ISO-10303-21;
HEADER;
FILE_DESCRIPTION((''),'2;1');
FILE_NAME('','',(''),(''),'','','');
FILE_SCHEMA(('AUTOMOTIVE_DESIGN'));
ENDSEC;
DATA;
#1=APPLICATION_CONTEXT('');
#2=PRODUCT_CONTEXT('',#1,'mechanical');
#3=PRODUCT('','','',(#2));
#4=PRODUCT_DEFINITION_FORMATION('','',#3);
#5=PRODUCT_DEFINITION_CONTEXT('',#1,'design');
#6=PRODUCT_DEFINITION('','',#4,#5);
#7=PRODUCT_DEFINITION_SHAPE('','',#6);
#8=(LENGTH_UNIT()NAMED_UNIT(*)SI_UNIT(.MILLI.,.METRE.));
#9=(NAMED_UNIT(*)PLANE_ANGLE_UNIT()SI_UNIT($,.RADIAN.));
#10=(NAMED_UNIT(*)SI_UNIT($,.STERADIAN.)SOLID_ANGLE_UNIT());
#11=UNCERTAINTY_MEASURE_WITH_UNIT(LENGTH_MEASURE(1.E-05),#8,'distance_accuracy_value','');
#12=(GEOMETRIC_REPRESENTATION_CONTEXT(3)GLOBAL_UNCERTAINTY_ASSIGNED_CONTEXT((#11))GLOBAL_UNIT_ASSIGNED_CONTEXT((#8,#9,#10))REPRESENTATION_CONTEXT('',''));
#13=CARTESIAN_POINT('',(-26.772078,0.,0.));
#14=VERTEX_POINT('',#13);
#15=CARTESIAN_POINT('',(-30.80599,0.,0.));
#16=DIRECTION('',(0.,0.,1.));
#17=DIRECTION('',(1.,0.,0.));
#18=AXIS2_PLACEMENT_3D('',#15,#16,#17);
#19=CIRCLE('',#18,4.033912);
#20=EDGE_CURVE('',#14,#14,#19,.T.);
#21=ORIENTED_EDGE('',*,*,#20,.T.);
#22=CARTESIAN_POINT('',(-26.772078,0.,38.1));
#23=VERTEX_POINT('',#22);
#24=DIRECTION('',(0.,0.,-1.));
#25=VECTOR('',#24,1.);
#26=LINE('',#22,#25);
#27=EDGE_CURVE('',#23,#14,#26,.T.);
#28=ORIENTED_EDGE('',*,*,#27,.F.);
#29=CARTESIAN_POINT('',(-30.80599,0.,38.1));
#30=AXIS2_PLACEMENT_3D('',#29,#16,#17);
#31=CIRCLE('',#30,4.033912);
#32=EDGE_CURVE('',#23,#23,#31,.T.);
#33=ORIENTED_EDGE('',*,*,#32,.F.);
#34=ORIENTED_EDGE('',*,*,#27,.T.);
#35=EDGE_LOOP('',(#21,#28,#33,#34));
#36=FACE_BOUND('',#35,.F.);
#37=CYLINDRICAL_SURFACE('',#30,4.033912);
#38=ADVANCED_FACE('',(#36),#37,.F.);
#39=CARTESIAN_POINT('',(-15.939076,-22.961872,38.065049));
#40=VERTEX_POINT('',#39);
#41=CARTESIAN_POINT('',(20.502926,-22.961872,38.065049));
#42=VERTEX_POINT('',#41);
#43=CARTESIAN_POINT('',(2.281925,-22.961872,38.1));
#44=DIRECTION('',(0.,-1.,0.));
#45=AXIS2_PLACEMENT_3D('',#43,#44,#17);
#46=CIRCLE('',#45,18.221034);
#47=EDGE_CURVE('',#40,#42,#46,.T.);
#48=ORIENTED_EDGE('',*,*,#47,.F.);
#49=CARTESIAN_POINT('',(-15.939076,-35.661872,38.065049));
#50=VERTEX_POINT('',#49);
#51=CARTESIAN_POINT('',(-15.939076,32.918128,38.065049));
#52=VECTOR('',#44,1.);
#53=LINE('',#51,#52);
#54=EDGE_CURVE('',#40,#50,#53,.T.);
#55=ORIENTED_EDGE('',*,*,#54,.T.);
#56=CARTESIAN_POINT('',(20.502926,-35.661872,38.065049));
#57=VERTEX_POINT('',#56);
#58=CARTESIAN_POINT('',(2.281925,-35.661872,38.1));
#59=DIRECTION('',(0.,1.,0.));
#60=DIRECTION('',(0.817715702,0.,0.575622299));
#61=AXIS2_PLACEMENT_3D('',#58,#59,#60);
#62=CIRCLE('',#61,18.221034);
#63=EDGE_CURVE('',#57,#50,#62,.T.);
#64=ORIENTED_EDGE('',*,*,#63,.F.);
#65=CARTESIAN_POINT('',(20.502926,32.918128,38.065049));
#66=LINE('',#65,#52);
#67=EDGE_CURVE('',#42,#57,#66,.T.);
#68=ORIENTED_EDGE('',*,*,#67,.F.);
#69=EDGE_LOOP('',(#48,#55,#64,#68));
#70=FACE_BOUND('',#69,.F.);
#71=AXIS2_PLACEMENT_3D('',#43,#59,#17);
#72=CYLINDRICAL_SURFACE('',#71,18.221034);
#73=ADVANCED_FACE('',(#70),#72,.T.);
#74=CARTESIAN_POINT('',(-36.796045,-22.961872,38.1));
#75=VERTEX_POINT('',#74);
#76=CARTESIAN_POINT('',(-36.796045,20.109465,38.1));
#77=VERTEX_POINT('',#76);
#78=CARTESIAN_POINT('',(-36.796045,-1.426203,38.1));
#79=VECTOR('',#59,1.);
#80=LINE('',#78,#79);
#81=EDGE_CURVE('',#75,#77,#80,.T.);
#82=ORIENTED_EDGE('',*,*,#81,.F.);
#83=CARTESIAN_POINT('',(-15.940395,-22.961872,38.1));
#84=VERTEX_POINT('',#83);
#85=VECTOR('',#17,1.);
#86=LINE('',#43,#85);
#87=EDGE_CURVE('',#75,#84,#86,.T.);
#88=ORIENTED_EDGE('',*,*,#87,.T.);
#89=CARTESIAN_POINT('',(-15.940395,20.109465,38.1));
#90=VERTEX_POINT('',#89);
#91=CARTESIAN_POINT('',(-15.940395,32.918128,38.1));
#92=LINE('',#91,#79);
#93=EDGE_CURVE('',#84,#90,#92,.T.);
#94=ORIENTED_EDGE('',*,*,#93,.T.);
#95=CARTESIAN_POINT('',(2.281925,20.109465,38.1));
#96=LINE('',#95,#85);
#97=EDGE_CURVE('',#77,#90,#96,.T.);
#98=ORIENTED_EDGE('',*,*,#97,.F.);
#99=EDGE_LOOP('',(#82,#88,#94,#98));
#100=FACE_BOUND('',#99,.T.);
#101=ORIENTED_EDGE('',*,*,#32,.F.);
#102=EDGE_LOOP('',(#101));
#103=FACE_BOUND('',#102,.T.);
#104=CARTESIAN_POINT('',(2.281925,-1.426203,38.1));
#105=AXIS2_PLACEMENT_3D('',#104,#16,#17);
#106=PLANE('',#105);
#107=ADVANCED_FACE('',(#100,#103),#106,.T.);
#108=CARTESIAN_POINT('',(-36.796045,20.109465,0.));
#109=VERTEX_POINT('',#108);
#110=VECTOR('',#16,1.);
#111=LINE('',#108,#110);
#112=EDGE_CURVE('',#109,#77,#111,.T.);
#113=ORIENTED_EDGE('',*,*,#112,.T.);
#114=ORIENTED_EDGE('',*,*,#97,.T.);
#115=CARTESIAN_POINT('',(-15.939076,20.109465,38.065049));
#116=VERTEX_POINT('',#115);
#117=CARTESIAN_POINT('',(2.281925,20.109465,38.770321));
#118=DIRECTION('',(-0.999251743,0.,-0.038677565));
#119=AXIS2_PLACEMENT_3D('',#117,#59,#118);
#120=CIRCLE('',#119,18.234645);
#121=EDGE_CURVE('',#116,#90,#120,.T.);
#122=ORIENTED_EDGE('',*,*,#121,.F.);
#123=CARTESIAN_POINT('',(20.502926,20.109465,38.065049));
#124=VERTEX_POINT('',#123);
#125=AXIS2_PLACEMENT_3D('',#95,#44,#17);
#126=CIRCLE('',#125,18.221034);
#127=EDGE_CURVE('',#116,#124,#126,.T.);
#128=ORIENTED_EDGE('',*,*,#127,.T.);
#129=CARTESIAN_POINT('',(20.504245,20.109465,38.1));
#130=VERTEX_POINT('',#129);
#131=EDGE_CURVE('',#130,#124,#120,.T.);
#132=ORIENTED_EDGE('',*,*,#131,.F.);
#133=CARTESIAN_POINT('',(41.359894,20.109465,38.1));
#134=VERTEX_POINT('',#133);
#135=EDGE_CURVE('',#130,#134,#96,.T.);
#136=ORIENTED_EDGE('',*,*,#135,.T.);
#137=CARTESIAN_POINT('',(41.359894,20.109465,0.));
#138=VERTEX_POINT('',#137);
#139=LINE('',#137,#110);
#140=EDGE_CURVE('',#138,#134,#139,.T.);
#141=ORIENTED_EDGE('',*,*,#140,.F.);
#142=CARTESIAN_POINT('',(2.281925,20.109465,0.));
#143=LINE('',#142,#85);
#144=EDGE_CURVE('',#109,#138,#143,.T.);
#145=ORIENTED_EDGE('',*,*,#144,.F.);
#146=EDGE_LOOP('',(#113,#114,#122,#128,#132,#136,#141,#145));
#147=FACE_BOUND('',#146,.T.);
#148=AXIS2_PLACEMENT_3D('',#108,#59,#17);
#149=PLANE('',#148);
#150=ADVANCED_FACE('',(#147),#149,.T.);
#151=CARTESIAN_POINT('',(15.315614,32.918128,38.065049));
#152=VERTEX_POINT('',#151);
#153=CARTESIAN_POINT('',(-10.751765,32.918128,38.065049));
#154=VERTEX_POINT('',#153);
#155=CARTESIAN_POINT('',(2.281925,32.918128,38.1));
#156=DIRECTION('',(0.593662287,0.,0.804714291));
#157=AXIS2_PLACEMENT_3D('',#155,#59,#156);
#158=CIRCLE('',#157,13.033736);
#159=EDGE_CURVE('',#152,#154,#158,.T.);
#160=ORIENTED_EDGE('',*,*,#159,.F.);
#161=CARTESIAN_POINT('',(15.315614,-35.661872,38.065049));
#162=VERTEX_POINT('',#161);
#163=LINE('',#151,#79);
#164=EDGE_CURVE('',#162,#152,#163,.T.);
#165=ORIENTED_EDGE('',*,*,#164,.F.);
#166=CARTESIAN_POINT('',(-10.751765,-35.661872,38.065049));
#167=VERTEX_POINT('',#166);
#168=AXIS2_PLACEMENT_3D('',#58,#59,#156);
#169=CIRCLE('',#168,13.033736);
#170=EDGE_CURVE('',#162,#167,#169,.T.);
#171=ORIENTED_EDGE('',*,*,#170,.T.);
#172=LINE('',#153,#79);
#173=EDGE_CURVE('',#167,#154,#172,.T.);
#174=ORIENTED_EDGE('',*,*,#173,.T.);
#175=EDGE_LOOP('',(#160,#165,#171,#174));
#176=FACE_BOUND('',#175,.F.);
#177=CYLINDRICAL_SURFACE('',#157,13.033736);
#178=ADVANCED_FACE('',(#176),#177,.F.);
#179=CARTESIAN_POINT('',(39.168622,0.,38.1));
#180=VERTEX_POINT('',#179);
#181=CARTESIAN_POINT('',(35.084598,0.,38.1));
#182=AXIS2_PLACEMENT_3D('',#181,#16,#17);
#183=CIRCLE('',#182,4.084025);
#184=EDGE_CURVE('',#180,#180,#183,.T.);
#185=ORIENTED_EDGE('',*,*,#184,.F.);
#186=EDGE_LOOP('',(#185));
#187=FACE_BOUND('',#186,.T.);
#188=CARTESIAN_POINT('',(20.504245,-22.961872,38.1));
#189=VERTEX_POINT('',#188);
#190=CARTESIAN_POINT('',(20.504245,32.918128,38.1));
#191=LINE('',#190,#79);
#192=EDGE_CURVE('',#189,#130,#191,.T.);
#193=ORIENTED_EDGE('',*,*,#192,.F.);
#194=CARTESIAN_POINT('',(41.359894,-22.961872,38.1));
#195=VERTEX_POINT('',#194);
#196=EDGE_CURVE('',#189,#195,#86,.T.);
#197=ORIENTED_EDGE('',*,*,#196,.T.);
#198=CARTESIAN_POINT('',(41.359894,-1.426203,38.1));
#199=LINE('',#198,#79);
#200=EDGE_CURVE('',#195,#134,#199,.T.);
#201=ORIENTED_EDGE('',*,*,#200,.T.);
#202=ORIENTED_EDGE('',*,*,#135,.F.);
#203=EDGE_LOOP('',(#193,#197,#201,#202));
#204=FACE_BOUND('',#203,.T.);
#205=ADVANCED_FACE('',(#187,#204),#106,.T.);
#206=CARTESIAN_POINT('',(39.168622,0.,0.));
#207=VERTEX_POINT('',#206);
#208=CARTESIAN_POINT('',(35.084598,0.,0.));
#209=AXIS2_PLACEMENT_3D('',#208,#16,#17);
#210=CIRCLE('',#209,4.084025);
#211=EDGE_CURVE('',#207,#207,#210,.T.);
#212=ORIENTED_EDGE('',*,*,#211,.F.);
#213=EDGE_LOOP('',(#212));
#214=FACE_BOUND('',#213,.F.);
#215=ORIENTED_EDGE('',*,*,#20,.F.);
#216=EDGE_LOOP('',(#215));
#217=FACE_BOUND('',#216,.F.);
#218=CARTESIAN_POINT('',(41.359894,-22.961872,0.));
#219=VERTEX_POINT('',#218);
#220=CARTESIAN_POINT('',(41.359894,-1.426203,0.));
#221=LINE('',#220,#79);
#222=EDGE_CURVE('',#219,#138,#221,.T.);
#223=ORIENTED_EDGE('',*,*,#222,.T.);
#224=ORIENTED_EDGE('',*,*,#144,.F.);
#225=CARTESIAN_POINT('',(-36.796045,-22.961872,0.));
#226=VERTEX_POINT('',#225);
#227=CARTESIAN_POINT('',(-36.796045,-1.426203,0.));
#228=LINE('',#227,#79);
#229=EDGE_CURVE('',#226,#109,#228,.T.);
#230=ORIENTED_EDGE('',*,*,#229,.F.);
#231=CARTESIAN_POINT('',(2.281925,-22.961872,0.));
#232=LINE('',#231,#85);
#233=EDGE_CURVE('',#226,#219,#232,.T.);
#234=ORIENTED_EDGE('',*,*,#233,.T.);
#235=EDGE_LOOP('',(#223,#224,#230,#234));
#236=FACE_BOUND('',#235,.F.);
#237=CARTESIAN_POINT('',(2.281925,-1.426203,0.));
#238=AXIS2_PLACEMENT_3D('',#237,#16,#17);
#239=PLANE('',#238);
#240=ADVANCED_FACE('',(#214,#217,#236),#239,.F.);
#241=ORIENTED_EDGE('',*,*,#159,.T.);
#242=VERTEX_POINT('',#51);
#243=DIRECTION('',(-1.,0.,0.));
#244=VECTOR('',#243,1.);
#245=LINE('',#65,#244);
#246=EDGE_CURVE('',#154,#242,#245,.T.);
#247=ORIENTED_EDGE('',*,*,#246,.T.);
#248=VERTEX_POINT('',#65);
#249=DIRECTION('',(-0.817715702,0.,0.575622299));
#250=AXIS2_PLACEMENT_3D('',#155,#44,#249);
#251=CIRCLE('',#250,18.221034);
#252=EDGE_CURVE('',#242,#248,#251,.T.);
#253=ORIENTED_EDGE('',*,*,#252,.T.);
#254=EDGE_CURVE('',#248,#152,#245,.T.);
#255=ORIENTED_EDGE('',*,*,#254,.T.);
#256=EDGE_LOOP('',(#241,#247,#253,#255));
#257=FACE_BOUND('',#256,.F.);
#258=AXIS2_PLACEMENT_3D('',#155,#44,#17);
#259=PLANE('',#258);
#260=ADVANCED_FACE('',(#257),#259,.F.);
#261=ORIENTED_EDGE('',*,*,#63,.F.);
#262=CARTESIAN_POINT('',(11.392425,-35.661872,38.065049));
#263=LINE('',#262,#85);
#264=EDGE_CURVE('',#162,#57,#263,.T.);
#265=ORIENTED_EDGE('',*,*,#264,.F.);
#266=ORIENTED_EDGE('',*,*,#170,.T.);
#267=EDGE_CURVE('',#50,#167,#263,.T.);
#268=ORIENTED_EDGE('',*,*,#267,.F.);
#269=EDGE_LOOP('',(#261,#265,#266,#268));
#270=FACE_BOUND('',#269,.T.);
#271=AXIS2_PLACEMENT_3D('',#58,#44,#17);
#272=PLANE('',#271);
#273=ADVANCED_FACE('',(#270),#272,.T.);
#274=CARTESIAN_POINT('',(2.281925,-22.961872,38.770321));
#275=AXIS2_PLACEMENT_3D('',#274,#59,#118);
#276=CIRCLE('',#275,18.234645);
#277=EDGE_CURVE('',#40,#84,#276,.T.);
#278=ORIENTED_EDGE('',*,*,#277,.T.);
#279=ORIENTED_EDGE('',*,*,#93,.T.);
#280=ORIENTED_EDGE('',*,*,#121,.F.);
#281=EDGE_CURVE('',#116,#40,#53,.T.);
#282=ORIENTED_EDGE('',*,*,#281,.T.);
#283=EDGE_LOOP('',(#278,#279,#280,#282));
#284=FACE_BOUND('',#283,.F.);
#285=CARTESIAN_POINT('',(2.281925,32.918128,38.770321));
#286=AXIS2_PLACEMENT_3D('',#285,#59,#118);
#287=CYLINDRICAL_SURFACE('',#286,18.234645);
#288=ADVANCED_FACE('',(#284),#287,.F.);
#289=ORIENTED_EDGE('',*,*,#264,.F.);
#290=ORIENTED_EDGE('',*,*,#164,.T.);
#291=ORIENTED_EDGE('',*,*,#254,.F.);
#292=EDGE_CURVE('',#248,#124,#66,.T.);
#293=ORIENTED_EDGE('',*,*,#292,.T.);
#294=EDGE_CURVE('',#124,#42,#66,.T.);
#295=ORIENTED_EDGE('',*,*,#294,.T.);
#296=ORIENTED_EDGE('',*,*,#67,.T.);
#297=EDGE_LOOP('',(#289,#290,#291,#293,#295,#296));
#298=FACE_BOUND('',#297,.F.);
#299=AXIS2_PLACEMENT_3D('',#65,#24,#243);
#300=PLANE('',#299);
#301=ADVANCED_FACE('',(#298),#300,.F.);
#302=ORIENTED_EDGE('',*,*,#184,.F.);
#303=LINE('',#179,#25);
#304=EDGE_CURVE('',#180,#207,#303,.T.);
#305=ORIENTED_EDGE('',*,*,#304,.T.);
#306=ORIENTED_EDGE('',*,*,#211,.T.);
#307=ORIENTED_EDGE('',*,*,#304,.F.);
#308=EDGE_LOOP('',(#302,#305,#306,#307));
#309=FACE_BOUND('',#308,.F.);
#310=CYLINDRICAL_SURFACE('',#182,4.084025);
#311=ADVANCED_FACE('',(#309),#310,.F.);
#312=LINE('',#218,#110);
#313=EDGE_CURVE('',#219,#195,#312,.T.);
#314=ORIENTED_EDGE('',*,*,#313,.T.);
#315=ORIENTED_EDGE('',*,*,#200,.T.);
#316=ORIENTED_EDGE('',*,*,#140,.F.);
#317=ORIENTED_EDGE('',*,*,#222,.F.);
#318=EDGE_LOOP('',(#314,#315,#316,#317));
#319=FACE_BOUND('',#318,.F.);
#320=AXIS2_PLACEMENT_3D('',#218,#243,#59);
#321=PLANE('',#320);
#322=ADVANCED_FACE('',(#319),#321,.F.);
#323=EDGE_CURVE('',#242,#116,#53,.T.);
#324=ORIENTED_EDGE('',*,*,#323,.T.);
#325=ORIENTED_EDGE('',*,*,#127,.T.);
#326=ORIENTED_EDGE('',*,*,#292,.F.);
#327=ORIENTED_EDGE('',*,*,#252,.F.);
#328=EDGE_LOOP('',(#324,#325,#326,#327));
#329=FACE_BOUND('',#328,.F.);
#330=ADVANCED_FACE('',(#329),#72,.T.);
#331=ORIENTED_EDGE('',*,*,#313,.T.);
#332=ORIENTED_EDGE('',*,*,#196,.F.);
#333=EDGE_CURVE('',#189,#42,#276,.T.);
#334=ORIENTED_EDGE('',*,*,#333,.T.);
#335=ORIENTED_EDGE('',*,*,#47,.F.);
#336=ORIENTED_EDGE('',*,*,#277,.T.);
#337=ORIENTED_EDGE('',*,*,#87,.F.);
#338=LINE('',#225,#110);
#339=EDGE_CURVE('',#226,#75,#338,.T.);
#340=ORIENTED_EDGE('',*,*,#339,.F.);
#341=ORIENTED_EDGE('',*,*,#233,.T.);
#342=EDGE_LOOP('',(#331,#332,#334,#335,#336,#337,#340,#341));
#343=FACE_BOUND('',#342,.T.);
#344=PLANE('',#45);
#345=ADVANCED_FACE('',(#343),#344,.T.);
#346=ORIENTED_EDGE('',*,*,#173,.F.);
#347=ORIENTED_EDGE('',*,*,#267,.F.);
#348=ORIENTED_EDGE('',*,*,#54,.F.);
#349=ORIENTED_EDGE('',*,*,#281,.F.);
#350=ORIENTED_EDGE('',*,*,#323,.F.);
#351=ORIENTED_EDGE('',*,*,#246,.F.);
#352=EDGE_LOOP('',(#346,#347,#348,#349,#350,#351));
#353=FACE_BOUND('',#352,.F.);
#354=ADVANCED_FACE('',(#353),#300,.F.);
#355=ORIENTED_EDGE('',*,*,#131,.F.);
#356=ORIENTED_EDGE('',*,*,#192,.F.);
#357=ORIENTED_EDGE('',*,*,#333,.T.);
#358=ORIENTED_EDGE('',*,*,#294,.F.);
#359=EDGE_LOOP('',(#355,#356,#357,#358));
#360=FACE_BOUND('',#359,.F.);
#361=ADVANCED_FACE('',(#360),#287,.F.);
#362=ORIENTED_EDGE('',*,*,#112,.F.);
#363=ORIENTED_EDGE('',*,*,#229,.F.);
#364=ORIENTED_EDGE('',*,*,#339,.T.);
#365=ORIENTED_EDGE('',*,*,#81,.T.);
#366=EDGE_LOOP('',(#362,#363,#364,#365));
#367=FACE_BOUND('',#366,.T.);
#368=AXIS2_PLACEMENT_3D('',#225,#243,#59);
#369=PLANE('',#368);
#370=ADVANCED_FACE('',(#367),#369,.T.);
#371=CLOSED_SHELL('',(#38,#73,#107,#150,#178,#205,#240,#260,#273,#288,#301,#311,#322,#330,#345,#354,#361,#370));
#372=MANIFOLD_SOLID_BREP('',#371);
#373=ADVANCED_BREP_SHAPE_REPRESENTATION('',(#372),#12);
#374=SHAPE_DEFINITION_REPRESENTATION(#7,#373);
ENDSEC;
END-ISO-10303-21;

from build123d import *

# Parameters (mm, degrees)
F0_W          = 78.1559385359
F0_H          = 43.0713370442
F1_DEPTH      = 38.1
F2_R          = 18.2210344627
F3_DEPTH      = 55.88
F3_DEPTH_BACK = 12.7
F5_DEPTH      = 68.581
F7_DEPTH      = 68.581
F8_R          = 4.084024571
F8_R_2        = 4.0339119635
F9_DEPTH      = 38.101


with BuildPart() as f1:
    # F0 (on Top) → F1 (new body)
    with BuildSketch(Plane.XY):
        with Locations((2.2819247097, -1.4262031764)):
            Rectangle(F0_W, F0_H)
    extrude(amount=F1_DEPTH)

    # F2 (on face) → F3 (join, two sides)
    with BuildSketch(Plane.XZ.offset(22.9618716985)) as f3_sk:
        with Locations((2.2819247097, 38.1)):
            Circle(F2_R)
    extrude(amount=-F3_DEPTH)
    extrude(f3_sk.sketch, amount=F3_DEPTH_BACK)

    # F4 (on face) → F5 (cut, through all)
    with BuildSketch(Plane(origin=(0, 32.9181283015, 0), x_dir=(-1, 0, 0), z_dir=(0, 1, 0))):
        with BuildLine():
            ThreePointArc((-10.0195623191, 48.5884337417), (-8.1567843282, 26.4653834359), (10.7518114442, 38.1))
            ThreePointArc((10.7518114442, 38.1), (9.3526918544, 43.9748596185), (5.4557128998, 48.5884337417))
            Line((5.4557128998, 48.5884337417), (-10.0195623191, 48.5884337417))
        make_face()
        with BuildLine():
            Line((-10.0195623191, 48.5884337417), (5.4557128998, 48.5884337417))
            ThreePointArc((5.4557128998, 48.5884337417), (-2.2819247097, 51.1337361539), (-10.0195623191, 48.5884337417))
        make_face()
        with BuildLine():
            ThreePointArc((-10.0195623191, 48.5884337417), (-2.2819247097, 51.1337361539), (5.4557128998, 48.5884337417))
            Line((5.4557128998, 48.5884337417), (12.6177012767, 48.5884337417))
            ThreePointArc((12.6177012767, 48.5884337417), (-2.2819247097, 77.2969690713), (-17.1815506961, 48.5884337417))
            Line((-17.1815506961, 48.5884337417), (-10.0195623191, 48.5884337417))
        make_face()
    extrude(amount=-F5_DEPTH, mode=Mode.SUBTRACT)

    # F6 (on face) → F7 (cut, through all)
    with BuildSketch(Plane(origin=(0, 32.9181283015, 0), x_dir=(-1, 0, 0), z_dir=(0, 1, 0))):
        with BuildLine():
            ThreePointArc((15.9390762318, 38.0650488792), (-2.2819247097, 57.0049656909), (-20.5029256512, 38.0650488792))
            Line((-20.5029256512, 38.0650488792), (15.9390762318, 38.0650488792))
        make_face()
    extrude(amount=-F7_DEPTH, mode=Mode.SUBTRACT)

    # F8 (on face) → F9 (cut, through all)
    with BuildSketch(Plane.XY.offset(38.1)):
        with Locations((35.0845977664, 0)):
            Circle(F8_R)
        with Locations((-30.8059900999, 0)):
            Circle(F8_R_2)
    extrude(amount=-F9_DEPTH, mode=Mode.SUBTRACT)


solid = f1.part
